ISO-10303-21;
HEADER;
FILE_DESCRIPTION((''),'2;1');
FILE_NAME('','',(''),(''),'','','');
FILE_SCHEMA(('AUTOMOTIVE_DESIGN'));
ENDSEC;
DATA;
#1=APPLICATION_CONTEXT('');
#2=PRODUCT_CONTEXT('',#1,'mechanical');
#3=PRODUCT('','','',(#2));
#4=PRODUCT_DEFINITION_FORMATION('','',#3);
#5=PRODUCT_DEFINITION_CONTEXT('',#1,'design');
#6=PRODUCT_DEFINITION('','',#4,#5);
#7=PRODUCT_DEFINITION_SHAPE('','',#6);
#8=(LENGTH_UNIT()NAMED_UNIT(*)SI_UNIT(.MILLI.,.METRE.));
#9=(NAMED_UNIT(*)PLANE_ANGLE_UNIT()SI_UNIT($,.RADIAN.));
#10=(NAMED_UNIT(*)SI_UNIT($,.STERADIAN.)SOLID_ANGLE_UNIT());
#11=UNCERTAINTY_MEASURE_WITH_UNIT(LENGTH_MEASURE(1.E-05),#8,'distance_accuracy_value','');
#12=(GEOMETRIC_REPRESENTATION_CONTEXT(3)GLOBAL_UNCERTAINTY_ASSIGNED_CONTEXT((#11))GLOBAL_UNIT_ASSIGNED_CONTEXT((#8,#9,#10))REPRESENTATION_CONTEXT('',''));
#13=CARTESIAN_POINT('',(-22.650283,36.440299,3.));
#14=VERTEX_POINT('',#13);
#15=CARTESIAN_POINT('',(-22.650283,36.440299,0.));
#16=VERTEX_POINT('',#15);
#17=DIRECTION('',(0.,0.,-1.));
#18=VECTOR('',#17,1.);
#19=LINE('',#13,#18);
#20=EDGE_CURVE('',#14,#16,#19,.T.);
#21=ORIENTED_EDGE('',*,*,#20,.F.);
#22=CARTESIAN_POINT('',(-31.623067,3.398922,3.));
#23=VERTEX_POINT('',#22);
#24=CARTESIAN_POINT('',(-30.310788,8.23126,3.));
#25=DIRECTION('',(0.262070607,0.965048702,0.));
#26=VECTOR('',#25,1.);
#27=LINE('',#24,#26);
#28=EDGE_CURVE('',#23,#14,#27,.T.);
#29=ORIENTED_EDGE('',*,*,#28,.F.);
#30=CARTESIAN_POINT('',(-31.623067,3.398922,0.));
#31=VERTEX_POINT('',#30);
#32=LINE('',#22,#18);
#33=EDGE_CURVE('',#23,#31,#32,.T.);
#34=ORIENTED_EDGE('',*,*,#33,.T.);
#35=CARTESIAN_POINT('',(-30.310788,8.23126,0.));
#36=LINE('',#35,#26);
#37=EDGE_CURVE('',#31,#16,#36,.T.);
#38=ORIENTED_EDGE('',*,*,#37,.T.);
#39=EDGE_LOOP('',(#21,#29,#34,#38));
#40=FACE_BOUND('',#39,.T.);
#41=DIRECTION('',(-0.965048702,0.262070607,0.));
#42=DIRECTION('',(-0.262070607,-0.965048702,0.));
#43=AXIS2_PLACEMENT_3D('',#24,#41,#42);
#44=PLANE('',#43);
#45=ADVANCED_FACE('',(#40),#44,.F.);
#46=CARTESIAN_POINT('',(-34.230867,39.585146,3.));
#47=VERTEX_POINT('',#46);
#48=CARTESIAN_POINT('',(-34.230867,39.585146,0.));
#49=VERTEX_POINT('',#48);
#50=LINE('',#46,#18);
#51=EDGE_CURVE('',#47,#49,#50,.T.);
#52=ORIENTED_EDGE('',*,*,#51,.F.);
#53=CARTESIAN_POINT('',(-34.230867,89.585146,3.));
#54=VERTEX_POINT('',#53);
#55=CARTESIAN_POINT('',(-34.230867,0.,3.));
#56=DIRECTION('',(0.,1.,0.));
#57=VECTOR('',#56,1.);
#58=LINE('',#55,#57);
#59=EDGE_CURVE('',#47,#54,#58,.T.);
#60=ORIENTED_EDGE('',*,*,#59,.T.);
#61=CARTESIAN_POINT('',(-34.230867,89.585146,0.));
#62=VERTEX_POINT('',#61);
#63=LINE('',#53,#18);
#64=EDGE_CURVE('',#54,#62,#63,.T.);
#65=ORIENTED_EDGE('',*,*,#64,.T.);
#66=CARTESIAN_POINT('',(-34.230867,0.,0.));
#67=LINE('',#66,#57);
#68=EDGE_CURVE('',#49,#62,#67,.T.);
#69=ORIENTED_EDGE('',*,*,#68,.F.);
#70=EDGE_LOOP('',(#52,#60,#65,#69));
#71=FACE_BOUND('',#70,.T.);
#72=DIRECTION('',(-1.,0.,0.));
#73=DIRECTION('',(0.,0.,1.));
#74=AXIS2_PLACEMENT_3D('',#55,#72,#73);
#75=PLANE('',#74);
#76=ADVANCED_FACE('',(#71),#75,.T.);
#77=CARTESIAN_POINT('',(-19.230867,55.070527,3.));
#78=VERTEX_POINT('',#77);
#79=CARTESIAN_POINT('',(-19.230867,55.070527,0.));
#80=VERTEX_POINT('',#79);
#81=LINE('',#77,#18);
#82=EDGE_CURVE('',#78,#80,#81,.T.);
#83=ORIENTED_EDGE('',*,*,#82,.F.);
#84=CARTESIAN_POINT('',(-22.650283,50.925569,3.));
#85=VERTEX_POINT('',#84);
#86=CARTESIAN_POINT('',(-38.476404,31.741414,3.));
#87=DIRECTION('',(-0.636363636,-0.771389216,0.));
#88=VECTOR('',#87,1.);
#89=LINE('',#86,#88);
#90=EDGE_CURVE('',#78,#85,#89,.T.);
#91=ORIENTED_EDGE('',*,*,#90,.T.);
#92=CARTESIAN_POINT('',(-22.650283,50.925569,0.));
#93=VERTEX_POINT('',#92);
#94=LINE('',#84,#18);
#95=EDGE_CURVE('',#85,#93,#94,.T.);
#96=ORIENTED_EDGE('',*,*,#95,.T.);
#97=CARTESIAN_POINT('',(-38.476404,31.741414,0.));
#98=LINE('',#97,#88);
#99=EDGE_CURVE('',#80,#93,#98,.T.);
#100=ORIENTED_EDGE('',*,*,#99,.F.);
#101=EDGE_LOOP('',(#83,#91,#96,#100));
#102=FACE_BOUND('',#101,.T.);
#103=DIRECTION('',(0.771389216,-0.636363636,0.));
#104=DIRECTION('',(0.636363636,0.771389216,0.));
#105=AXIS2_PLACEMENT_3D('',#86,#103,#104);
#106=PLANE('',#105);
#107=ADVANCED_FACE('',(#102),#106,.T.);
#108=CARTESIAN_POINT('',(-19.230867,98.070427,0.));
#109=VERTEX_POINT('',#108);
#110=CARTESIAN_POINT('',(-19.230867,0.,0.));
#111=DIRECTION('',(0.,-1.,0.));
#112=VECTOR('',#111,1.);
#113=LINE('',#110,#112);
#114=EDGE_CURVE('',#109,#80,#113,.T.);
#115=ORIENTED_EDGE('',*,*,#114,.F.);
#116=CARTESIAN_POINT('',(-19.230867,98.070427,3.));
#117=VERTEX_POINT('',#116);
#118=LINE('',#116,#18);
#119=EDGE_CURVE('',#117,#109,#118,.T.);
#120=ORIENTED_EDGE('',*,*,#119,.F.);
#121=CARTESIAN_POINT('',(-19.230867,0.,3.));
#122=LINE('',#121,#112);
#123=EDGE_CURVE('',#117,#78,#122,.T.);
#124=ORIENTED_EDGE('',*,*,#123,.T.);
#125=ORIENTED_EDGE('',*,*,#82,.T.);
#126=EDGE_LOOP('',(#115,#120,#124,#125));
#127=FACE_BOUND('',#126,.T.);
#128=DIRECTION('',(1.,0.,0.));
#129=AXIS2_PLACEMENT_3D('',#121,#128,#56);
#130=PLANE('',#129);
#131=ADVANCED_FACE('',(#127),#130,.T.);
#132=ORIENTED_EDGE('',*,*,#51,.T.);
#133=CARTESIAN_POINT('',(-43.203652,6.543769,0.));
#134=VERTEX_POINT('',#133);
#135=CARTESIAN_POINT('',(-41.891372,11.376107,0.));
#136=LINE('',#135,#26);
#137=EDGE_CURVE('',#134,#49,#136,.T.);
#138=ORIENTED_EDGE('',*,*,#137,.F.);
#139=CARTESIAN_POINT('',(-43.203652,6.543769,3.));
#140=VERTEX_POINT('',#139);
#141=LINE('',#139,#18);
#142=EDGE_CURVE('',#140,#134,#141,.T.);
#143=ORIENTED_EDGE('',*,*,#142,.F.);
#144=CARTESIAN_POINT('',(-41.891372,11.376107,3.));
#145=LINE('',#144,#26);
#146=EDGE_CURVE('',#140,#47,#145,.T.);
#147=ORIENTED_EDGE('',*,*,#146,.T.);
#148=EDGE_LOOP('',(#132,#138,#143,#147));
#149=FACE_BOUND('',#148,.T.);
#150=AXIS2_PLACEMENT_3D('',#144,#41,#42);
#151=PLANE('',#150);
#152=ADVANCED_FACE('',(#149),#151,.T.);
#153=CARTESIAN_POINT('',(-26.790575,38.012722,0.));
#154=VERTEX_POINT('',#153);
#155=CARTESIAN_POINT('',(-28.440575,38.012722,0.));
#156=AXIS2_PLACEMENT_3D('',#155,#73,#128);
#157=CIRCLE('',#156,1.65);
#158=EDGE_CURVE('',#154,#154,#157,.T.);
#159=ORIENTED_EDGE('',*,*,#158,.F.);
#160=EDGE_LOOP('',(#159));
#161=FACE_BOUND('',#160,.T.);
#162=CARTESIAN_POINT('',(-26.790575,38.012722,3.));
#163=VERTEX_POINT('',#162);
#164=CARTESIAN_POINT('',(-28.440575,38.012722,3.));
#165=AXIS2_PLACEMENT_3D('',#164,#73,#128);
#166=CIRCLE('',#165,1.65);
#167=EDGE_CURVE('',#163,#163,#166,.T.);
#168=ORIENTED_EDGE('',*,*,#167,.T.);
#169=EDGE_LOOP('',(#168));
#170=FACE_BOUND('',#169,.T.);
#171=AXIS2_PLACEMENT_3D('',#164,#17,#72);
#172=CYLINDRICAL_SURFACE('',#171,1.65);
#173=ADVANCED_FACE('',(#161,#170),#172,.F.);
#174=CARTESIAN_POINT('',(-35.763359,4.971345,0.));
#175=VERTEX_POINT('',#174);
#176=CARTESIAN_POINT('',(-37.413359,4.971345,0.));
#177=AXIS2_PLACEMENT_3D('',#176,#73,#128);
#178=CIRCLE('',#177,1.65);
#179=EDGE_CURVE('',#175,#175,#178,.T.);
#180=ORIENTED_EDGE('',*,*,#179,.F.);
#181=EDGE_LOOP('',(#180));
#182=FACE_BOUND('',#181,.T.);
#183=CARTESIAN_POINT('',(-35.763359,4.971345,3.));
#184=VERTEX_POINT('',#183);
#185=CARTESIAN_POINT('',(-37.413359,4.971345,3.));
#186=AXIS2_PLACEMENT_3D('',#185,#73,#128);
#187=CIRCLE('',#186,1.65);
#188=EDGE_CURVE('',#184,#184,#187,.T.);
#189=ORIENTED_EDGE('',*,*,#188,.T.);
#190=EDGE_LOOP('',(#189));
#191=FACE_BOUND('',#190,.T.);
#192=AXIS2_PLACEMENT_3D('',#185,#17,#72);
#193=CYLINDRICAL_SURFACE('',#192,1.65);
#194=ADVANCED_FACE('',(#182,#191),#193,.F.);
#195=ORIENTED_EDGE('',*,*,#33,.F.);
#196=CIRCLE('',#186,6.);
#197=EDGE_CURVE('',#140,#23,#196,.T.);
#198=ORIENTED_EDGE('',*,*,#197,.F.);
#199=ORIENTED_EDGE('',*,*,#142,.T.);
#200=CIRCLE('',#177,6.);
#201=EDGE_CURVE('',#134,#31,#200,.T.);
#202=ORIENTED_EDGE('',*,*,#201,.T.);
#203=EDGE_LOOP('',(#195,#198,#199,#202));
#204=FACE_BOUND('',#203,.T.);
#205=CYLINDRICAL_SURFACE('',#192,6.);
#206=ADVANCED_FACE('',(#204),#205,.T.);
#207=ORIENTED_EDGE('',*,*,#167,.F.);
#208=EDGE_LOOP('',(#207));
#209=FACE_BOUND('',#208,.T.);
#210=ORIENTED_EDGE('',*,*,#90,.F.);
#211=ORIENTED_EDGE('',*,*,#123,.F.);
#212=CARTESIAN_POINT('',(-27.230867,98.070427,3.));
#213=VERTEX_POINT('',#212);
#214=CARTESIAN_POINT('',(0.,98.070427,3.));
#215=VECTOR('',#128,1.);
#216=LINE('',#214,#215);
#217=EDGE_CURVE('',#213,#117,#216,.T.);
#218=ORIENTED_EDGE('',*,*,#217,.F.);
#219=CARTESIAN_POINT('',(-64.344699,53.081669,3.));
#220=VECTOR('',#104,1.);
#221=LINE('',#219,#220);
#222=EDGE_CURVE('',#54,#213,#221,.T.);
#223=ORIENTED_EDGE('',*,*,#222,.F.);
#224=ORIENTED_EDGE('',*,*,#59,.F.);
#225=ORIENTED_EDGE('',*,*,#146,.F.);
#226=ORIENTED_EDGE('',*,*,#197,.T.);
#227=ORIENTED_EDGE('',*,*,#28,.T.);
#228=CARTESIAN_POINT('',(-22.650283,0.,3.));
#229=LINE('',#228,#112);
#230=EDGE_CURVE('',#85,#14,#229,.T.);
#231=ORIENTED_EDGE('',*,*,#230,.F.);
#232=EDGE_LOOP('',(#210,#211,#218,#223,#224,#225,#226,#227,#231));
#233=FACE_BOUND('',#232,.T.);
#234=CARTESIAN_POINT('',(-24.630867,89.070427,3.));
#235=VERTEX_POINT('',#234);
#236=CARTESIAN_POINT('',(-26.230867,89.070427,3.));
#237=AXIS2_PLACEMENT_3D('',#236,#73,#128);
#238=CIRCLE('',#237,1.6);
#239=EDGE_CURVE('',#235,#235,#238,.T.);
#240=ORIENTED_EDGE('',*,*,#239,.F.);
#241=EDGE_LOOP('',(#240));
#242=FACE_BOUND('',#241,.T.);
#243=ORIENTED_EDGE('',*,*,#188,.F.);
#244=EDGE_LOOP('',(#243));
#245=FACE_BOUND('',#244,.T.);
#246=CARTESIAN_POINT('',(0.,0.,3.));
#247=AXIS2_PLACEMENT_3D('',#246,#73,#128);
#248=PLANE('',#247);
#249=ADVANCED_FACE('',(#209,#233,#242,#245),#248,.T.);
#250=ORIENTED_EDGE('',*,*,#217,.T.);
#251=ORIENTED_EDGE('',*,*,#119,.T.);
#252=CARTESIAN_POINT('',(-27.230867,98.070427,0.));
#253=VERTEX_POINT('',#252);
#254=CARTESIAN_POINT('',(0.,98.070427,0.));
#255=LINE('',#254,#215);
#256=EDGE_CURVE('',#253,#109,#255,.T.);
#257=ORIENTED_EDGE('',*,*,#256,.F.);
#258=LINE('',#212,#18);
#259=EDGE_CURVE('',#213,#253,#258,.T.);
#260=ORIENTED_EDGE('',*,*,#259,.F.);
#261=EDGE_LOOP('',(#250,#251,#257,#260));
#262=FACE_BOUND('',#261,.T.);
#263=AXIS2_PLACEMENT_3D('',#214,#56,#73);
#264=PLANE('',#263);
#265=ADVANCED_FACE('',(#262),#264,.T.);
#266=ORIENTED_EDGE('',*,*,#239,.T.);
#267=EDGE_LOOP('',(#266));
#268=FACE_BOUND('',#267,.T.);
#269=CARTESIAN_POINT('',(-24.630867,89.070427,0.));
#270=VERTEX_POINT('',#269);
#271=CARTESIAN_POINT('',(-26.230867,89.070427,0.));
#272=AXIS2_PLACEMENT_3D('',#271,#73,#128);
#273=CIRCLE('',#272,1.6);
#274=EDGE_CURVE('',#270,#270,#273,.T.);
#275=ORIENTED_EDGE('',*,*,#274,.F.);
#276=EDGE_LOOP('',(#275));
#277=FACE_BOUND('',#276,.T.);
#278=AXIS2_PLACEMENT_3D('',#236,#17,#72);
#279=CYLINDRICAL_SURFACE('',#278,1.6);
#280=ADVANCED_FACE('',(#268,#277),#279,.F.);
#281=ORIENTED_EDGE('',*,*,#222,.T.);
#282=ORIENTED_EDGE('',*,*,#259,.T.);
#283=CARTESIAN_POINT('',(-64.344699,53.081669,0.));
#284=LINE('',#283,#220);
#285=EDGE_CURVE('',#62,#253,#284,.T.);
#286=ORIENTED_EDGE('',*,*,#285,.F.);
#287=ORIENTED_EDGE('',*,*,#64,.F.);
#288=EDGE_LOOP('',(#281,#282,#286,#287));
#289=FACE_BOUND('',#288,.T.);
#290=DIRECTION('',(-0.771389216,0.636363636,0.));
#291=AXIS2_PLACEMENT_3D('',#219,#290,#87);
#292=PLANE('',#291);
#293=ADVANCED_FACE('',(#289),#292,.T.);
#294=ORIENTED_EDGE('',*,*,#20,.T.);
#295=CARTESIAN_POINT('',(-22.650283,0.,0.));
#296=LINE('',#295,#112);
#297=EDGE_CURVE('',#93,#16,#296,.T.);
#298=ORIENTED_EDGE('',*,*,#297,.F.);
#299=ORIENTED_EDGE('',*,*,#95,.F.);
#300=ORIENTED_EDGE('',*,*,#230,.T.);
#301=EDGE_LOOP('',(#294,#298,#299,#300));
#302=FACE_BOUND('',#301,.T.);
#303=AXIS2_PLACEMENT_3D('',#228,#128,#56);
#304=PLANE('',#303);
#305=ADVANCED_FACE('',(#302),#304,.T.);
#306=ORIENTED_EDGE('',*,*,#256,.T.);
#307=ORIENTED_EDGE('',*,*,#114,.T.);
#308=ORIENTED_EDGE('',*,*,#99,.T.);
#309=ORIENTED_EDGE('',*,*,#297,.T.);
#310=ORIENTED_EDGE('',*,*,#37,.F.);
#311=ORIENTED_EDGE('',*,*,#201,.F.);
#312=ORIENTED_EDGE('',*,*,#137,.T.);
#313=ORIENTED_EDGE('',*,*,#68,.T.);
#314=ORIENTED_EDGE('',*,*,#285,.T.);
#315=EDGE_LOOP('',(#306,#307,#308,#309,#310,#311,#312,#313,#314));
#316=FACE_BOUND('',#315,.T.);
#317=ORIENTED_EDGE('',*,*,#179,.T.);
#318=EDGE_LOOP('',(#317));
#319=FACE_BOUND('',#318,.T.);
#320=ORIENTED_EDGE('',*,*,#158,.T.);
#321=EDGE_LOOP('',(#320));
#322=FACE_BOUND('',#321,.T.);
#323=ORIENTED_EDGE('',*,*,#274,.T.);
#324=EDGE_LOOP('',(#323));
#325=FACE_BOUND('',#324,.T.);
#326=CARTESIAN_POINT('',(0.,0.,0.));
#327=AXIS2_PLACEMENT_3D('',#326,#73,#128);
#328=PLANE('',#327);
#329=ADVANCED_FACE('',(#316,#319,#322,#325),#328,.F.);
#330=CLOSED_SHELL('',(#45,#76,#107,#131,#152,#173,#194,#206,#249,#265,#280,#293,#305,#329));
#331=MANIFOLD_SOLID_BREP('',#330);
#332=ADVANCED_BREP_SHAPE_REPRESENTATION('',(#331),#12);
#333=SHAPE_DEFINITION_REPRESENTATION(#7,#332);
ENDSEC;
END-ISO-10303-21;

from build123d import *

# Parameters (mm, degrees)
SKETCH1_R           = 1.65
SKETCH1_R_2         = 1.6
BOSS_EXTRUDE1_DEPTH = 3


with BuildPart() as part:
    # Sketch1 → Boss-Extrude1 (new body)
    with BuildSketch(Plane.XY):
        with BuildLine():
            Line((-43.203651579, 6.54376887), (-34.230867434, 39.585145796))
            Line((-34.230867434, 39.585145796), (-34.230867434, 89.585145796))
            Line((-34.230867434, 89.585145796), (-27.230867434, 98.07042717))
            Line((-27.230867434, 98.07042717), (-19.230867434, 98.07042717))
            Line((-19.230867434, 98.07042717), (-19.230867434, 55.070526621))
            Line((-19.230867434, 55.070526621), (-22.650283011, 50.925569007))
            Line((-22.650283011, 50.925569007), (-22.650283011, 36.440298517))
            Line((-22.650283011, 36.440298517), (-31.623067155, 3.398921591))
            ThreePointArc((-31.623067155, 3.398921591), (-38.985783006, -0.818946981), (-43.203651579, 6.54376887))
        make_face()
        with Locations((-28.440575223, 38.012722157)):
            Circle(SKETCH1_R, mode=Mode.SUBTRACT)
        with Locations((-37.413359367, 4.97134523)):
            Circle(SKETCH1_R, mode=Mode.SUBTRACT)
        with Locations((-26.230867434, 89.07042717)):
            Circle(SKETCH1_R_2, mode=Mode.SUBTRACT)
    extrude(amount=BOSS_EXTRUDE1_DEPTH)


solid = part.part
